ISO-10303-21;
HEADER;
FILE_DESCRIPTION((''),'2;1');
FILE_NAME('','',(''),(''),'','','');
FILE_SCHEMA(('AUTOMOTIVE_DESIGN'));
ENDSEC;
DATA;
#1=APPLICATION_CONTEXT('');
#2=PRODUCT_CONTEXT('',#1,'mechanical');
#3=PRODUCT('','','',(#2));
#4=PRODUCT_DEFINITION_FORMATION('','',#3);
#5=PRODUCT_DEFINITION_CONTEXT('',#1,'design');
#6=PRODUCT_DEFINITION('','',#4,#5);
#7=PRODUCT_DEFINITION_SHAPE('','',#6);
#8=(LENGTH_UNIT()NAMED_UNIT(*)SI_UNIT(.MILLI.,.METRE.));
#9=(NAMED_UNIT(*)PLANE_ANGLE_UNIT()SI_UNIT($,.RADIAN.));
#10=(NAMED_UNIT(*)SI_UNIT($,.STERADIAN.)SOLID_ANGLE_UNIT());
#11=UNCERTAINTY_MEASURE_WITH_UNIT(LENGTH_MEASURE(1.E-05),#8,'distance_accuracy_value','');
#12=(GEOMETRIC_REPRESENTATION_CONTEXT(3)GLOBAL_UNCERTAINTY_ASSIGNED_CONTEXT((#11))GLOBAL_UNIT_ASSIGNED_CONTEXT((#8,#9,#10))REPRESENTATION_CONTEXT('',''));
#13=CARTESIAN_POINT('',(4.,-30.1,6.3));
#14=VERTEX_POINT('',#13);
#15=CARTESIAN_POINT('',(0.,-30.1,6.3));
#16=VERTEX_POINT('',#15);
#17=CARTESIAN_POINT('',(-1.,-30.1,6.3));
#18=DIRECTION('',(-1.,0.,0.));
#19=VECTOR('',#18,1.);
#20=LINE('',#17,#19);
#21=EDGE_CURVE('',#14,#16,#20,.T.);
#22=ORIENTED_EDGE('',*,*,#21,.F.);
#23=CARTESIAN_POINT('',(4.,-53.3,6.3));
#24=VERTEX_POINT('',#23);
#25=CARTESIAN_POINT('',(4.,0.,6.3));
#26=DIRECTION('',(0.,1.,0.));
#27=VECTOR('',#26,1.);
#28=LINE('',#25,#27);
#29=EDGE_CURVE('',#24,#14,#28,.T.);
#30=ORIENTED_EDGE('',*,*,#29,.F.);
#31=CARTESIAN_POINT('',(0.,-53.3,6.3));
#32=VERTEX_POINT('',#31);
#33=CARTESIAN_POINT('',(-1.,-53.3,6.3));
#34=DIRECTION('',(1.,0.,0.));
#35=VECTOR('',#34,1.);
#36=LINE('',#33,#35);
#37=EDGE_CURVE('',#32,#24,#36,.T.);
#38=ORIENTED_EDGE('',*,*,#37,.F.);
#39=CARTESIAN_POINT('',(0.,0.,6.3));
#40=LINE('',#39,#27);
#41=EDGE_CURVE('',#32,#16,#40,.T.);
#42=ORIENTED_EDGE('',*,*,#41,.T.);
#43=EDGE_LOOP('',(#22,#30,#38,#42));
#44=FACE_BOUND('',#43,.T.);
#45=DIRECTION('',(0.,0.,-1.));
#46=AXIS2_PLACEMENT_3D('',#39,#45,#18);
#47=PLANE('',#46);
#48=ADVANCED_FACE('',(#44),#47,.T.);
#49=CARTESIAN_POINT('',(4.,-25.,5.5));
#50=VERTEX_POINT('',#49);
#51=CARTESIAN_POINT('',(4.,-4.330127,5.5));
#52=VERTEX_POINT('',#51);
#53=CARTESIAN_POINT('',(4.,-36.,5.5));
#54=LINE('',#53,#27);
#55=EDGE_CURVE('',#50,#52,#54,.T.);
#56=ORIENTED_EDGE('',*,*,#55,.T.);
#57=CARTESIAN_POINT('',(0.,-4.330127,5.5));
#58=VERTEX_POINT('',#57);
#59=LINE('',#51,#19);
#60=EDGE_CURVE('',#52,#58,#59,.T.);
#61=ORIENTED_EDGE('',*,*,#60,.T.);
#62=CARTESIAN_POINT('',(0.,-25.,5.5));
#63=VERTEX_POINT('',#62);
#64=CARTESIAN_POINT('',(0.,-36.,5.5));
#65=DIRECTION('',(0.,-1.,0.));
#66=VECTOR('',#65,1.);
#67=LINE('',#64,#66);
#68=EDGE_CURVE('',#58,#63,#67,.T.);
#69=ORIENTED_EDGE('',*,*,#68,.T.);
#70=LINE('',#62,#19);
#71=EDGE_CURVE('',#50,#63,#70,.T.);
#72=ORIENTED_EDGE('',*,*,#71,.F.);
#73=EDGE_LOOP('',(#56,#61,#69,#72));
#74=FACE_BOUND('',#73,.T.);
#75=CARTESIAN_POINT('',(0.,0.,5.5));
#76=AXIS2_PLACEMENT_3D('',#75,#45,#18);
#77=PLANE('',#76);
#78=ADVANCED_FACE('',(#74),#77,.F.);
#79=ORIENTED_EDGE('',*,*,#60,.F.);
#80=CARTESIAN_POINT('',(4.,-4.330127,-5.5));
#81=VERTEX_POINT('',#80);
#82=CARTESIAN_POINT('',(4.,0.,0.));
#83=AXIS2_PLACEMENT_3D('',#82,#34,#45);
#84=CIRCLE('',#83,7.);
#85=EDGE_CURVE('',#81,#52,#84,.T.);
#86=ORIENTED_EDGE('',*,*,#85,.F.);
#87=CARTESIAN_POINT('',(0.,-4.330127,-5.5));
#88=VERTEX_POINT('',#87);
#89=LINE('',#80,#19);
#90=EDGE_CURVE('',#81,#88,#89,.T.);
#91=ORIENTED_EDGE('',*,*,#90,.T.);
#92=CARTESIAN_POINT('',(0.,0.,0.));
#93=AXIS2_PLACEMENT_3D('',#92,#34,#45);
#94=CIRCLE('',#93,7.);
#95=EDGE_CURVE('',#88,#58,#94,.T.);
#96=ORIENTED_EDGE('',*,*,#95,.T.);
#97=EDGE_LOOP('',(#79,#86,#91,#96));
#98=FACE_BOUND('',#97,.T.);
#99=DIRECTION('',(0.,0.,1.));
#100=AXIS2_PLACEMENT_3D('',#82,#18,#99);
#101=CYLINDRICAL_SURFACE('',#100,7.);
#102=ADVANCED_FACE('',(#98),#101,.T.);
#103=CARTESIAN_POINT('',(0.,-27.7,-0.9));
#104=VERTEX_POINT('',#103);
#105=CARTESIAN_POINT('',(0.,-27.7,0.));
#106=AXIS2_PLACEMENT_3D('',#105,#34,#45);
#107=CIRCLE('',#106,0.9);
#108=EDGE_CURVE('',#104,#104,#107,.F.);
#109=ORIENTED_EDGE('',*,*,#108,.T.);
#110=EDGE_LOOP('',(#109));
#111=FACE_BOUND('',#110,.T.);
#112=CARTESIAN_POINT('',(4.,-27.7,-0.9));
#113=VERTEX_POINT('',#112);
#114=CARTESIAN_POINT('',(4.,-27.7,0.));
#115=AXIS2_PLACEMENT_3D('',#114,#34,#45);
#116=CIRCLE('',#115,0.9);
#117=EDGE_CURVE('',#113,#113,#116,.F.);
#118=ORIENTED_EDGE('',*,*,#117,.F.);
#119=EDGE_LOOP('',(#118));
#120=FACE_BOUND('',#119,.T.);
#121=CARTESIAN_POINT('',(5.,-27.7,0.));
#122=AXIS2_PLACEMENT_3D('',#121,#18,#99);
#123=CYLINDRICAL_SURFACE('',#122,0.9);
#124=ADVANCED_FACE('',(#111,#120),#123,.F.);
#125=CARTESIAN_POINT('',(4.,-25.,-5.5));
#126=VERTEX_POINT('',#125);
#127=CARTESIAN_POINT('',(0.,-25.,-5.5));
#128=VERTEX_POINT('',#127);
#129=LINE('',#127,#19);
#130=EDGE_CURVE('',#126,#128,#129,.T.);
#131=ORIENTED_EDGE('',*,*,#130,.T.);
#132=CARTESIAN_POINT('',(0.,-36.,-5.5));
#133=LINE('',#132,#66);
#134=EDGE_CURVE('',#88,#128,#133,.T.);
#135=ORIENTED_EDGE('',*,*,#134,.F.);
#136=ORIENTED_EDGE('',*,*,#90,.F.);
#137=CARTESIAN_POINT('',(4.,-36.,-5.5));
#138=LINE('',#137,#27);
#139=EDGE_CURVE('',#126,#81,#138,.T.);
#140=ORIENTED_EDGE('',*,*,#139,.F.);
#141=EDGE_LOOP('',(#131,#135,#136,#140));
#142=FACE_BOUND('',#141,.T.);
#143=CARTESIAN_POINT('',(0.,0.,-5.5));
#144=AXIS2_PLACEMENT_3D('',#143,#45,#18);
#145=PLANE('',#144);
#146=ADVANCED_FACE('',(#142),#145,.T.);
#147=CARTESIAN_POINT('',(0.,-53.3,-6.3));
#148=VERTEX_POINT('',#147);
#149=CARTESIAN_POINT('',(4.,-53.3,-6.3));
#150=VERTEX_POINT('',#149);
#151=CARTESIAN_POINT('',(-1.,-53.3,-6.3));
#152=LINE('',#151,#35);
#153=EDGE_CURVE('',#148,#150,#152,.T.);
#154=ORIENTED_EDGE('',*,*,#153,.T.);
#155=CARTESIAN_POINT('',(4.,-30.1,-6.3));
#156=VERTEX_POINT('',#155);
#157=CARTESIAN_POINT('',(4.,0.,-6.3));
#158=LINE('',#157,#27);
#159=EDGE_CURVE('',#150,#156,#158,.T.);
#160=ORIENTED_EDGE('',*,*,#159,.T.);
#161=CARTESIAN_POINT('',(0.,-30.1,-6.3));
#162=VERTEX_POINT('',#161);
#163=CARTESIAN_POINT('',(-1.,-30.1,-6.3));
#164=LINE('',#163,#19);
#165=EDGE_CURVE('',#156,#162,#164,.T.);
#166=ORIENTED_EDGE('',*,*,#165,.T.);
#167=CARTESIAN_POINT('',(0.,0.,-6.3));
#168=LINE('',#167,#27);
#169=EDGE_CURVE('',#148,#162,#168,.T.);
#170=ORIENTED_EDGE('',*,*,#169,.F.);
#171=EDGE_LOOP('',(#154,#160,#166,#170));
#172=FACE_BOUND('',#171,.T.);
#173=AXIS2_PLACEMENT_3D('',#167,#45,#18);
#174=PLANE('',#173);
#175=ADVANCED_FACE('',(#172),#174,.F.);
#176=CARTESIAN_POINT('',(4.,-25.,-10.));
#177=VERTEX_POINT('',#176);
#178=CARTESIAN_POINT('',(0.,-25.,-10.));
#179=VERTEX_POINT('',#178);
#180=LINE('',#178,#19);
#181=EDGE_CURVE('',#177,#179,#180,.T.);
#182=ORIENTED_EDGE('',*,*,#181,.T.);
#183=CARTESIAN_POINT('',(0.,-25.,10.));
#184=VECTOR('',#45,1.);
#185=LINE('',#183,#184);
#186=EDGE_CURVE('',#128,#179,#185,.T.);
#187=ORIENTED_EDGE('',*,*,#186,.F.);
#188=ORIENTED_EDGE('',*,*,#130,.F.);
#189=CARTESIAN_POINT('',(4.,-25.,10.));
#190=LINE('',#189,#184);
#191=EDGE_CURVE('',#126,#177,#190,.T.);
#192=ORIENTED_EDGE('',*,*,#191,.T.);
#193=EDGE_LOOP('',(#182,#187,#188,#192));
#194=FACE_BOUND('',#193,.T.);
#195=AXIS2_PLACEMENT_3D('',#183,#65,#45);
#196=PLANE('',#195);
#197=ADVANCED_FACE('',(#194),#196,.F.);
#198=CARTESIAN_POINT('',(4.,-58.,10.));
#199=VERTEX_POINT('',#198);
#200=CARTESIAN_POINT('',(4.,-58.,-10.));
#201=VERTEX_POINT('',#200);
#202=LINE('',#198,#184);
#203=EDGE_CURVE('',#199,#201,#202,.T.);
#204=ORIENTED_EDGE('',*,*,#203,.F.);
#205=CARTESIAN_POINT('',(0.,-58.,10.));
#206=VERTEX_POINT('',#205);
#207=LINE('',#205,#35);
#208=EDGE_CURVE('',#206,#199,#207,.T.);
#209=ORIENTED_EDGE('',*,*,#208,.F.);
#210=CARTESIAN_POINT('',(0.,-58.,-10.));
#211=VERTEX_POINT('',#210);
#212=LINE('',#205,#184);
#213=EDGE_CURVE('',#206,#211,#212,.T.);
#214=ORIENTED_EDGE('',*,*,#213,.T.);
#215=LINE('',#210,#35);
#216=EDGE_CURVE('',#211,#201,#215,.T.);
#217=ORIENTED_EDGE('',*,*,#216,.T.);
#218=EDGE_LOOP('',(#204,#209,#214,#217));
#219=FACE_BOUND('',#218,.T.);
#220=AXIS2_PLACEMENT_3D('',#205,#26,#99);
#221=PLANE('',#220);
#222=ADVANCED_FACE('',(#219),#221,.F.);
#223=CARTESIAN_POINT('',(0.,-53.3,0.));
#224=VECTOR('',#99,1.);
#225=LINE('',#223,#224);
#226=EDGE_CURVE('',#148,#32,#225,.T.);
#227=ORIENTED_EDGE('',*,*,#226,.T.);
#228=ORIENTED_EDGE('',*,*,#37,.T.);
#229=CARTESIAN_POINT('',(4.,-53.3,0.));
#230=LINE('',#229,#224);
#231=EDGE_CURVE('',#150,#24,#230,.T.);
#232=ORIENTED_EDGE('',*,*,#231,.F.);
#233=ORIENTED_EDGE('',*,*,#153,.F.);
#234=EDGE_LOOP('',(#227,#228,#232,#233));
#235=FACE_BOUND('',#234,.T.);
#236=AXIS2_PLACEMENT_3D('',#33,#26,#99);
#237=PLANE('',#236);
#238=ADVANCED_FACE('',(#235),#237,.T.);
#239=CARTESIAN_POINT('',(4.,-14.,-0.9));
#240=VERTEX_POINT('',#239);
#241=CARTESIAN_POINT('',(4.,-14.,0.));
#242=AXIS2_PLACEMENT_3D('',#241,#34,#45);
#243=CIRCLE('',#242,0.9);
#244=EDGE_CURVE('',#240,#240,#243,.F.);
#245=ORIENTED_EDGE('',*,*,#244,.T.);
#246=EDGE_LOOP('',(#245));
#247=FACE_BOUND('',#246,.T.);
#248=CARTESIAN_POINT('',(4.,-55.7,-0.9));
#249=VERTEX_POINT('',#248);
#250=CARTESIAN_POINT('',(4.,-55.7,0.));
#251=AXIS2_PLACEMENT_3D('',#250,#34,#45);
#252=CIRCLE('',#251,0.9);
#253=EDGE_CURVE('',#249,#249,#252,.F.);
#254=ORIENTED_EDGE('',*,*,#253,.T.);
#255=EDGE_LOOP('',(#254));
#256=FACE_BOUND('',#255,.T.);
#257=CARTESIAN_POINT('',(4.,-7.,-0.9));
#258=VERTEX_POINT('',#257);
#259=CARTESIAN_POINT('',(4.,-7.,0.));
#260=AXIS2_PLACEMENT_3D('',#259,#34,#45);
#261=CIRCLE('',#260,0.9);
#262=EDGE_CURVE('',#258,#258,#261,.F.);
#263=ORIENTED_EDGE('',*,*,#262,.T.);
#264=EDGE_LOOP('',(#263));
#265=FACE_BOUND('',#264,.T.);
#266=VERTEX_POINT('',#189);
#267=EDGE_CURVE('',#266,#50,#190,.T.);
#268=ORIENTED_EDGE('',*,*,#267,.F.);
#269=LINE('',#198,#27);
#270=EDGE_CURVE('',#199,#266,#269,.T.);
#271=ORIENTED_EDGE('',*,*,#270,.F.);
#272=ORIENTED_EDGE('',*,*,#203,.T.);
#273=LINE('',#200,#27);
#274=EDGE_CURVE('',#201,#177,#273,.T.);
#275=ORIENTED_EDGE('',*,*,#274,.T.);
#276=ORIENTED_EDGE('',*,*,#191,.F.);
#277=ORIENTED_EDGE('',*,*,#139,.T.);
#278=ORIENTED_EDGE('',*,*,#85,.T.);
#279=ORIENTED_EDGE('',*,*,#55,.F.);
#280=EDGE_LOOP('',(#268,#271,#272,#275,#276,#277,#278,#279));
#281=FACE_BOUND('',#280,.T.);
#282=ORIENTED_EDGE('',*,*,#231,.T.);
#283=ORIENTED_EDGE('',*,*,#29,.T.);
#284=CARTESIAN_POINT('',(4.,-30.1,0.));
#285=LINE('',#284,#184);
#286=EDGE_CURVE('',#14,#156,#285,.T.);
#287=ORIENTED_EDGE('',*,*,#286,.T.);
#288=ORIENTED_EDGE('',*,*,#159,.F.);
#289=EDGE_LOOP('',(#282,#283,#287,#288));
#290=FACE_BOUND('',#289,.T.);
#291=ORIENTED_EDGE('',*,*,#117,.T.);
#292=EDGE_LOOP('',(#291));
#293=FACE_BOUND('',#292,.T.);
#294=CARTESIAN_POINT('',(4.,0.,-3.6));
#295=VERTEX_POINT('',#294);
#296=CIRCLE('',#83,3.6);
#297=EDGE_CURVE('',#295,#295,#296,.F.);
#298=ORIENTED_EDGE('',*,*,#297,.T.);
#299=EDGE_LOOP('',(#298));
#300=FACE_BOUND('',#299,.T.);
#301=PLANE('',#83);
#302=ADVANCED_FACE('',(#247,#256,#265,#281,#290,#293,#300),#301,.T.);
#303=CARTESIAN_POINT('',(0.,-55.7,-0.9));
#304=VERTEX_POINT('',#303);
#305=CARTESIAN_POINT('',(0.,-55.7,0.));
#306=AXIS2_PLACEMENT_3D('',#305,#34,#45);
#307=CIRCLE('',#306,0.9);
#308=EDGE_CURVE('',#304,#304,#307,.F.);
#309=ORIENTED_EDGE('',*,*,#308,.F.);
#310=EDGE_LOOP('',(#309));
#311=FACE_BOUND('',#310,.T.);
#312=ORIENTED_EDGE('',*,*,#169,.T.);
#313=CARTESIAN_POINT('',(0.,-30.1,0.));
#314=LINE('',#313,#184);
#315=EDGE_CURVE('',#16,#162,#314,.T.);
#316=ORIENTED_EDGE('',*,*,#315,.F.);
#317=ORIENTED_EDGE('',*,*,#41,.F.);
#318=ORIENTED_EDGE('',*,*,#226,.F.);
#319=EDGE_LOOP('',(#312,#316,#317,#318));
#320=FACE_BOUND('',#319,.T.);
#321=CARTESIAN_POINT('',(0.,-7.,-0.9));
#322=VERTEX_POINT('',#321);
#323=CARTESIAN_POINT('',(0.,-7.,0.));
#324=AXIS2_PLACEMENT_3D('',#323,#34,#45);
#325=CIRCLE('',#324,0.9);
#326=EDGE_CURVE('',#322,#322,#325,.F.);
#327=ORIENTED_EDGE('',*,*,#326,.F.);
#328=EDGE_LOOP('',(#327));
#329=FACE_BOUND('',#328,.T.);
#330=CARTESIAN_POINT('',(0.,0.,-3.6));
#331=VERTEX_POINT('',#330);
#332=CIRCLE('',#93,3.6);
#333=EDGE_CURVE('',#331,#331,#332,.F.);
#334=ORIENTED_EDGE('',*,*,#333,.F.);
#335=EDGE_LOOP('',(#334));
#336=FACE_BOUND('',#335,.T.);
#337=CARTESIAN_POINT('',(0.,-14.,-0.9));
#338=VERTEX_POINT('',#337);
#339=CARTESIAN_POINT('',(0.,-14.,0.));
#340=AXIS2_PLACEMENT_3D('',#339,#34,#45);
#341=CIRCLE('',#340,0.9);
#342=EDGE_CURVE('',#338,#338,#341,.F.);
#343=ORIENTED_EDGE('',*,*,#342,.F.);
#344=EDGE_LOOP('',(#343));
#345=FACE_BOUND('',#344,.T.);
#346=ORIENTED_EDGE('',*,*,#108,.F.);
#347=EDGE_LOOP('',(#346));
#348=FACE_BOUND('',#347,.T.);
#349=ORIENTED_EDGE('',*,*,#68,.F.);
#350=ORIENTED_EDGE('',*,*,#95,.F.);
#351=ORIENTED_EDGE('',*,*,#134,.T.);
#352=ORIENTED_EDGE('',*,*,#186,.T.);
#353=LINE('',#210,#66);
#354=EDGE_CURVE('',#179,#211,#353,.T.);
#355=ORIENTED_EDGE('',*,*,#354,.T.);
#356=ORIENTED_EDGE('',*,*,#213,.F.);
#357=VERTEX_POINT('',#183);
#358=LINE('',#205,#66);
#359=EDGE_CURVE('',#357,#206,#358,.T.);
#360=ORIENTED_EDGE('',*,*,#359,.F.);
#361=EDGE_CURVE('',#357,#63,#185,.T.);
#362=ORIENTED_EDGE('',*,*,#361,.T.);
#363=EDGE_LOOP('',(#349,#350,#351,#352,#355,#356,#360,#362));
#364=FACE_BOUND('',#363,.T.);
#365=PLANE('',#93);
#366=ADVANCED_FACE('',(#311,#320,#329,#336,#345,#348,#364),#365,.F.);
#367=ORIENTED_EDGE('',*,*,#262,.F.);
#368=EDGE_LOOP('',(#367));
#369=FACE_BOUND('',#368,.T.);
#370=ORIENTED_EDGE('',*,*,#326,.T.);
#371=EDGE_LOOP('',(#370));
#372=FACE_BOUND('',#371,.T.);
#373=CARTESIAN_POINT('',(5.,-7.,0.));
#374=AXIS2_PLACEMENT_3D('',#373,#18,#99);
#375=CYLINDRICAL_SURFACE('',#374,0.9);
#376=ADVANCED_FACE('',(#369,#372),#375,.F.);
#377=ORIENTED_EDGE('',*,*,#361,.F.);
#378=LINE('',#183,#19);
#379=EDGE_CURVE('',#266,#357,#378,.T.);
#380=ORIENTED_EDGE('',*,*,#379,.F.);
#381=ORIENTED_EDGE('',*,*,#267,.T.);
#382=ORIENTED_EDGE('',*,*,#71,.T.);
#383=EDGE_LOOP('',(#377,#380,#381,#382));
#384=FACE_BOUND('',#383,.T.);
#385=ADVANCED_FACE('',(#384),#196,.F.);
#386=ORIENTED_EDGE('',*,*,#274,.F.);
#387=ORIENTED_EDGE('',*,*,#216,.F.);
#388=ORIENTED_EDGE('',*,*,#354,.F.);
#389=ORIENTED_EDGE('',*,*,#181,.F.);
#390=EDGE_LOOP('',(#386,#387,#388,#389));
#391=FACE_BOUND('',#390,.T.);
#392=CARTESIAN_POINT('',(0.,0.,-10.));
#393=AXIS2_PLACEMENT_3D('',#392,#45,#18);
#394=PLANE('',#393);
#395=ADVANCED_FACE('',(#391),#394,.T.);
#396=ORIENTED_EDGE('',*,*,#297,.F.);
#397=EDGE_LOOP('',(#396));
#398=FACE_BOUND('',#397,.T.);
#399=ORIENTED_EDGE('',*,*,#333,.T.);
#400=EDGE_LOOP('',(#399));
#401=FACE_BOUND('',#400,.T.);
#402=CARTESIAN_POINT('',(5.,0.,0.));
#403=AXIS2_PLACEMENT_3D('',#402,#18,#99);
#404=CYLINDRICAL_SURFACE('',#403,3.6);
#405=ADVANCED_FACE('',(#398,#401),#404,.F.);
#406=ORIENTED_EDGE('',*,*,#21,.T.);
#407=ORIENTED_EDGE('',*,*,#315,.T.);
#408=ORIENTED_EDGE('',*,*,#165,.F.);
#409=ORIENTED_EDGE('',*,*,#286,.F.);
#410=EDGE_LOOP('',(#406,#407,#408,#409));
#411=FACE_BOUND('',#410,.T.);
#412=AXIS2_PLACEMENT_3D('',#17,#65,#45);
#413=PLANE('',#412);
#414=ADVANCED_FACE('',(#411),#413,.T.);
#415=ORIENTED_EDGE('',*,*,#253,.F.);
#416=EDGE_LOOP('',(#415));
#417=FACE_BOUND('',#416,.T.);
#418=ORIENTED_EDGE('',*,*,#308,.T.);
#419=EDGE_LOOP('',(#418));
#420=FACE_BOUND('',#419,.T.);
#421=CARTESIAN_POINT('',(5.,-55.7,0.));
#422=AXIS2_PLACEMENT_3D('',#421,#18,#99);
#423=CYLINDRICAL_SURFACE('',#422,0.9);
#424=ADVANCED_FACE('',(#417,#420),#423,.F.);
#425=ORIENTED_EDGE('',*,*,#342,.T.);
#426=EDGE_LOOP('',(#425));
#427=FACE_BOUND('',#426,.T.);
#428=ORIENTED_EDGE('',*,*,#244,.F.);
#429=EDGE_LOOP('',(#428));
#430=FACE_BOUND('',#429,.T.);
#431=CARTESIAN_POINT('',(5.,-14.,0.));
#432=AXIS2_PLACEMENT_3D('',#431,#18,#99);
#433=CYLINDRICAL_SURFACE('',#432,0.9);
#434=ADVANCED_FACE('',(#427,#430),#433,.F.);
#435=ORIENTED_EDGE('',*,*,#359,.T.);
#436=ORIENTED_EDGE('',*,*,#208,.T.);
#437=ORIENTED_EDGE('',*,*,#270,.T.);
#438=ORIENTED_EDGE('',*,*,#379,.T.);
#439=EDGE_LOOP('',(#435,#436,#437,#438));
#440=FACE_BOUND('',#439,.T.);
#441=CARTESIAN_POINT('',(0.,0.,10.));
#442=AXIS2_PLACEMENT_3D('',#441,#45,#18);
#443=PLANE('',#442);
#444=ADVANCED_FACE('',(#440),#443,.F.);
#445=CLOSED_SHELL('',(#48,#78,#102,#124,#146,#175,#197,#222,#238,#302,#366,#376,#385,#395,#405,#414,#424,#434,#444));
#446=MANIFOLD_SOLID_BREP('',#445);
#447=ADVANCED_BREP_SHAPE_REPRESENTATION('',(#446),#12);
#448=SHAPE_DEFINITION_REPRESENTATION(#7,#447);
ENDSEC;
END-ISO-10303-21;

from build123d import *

# Parameters (mm, degrees)
SKETCH1_R           = 7
BOSS_EXTRUDE1_DEPTH = 4
BOSS_EXTRUDE2_START = -5.5
SKETCH2_W           = 4
SKETCH2_H           = 36
BOSS_EXTRUDE2_DEPTH = 11
BOSS_EXTRUDE3_START = -10
SKETCH3_W           = 4
SKETCH3_H           = 33
BOSS_EXTRUDE3_DEPTH = 20
BOSS_EXTRUDE4_START = -1
SKETCH4_R           = 3.6
BOSS_EXTRUDE4_DEPTH = 6
BOSS_EXTRUDE5_START = -1
SKETCH5_R           = 0.9
BOSS_EXTRUDE5_DEPTH = 6
BOSS_EXTRUDE6_START = -1
SKETCH6_R           = 0.9
BOSS_EXTRUDE6_DEPTH = 6
BOSS_EXTRUDE7_START = -6.3
SKETCH7_W           = 6
SKETCH7_H           = 23.2
BOSS_EXTRUDE7_DEPTH = 12.6
BOSS_EXTRUDE8_START = -1
SKETCH8_R           = 0.9
BOSS_EXTRUDE8_DEPTH = 6
BOSS_EXTRUDE9_START = -1
SKETCH9_R           = 0.9
BOSS_EXTRUDE9_DEPTH = 6


with BuildPart() as part:
    # Sketch1 → Boss-Extrude1 (new body)
    with BuildSketch(Plane(origin=(0, 0, 0), x_dir=(0, 0, -1), z_dir=(1, 0, 0))):
        Circle(SKETCH1_R)
    extrude(amount=BOSS_EXTRUDE1_DEPTH)

    # Sketch2 → Boss-Extrude2 (add)
    with BuildSketch(Plane.XY.offset(BOSS_EXTRUDE2_START)):
        with Locations((2, -18)):
            Rectangle(SKETCH2_W, SKETCH2_H)
    extrude(amount=BOSS_EXTRUDE2_DEPTH)

    # Sketch3 → Boss-Extrude3 (add)
    with BuildSketch(Plane.XY.offset(BOSS_EXTRUDE3_START)):
        with Locations((2, -41.5)):
            Rectangle(SKETCH3_W, SKETCH3_H)
    extrude(amount=BOSS_EXTRUDE3_DEPTH)


with BuildPart() as body_2:
    # Sketch4 → Boss-Extrude4 (new body)
    with BuildSketch(Plane(origin=(0, 0, 0), x_dir=(0, 0, -1), z_dir=(1, 0, 0)).offset(BOSS_EXTRUDE4_START)):
        Circle(SKETCH4_R)
    extrude(amount=BOSS_EXTRUDE4_DEPTH)


with BuildPart() as part_1:
    add(part.part)

    # Combine1: cut body 2
    add(body_2.part, mode=Mode.SUBTRACT)


with BuildPart() as body_2_2:
    # Sketch5 → Boss-Extrude5 (new body)
    with BuildSketch(Plane(origin=(0, 0, 0), x_dir=(0, 0, -1), z_dir=(1, 0, 0)).offset(BOSS_EXTRUDE5_START)):
        with Locations((0, -7)):
            Circle(SKETCH5_R)
    extrude(amount=BOSS_EXTRUDE5_DEPTH)


with BuildPart() as part_2:
    add(part_1.part)

    # Combine2: cut body 2 2
    add(body_2_2.part, mode=Mode.SUBTRACT)


with BuildPart() as body_2_3:
    # Sketch6 → Boss-Extrude6 (new body)
    with BuildSketch(Plane(origin=(0, 0, 0), x_dir=(0, 0, -1), z_dir=(1, 0, 0)).offset(BOSS_EXTRUDE6_START)):
        with Locations((0, -14)):
            Circle(SKETCH6_R)
    extrude(amount=BOSS_EXTRUDE6_DEPTH)


with BuildPart() as part_3:
    add(part_2.part)

    # Combine3: cut body 2 3
    add(body_2_3.part, mode=Mode.SUBTRACT)


with BuildPart() as body_2_4:
    # Sketch7 → Boss-Extrude7 (new body)
    with BuildSketch(Plane.XY.offset(BOSS_EXTRUDE7_START)):
        with Locations((2, -41.7)):
            Rectangle(SKETCH7_W, SKETCH7_H)
    extrude(amount=BOSS_EXTRUDE7_DEPTH)


with BuildPart() as part_4:
    add(part_3.part)

    # Combine4: cut body 2 4
    add(body_2_4.part, mode=Mode.SUBTRACT)


with BuildPart() as body_2_5:
    # Sketch8 → Boss-Extrude8 (new body)
    with BuildSketch(Plane(origin=(0, 0, 0), x_dir=(0, 0, -1), z_dir=(1, 0, 0)).offset(BOSS_EXTRUDE8_START)):
        with Locations((0, -27.7)):
            Circle(SKETCH8_R)
    extrude(amount=BOSS_EXTRUDE8_DEPTH)


with BuildPart() as part_5:
    add(part_4.part)

    # Combine5: cut body 2 5
    add(body_2_5.part, mode=Mode.SUBTRACT)


with BuildPart() as body_2_6:
    # Sketch9 → Boss-Extrude9 (new body)
    with BuildSketch(Plane(origin=(0, 0, 0), x_dir=(0, 0, -1), z_dir=(1, 0, 0)).offset(BOSS_EXTRUDE9_START)):
        with Locations((0, -55.7)):
            Circle(SKETCH9_R)
    extrude(amount=BOSS_EXTRUDE9_DEPTH)


with BuildPart() as part_6:
    add(part_5.part)

    # Combine6: cut body 2 6
    add(body_2_6.part, mode=Mode.SUBTRACT)


solid = part_6.part
